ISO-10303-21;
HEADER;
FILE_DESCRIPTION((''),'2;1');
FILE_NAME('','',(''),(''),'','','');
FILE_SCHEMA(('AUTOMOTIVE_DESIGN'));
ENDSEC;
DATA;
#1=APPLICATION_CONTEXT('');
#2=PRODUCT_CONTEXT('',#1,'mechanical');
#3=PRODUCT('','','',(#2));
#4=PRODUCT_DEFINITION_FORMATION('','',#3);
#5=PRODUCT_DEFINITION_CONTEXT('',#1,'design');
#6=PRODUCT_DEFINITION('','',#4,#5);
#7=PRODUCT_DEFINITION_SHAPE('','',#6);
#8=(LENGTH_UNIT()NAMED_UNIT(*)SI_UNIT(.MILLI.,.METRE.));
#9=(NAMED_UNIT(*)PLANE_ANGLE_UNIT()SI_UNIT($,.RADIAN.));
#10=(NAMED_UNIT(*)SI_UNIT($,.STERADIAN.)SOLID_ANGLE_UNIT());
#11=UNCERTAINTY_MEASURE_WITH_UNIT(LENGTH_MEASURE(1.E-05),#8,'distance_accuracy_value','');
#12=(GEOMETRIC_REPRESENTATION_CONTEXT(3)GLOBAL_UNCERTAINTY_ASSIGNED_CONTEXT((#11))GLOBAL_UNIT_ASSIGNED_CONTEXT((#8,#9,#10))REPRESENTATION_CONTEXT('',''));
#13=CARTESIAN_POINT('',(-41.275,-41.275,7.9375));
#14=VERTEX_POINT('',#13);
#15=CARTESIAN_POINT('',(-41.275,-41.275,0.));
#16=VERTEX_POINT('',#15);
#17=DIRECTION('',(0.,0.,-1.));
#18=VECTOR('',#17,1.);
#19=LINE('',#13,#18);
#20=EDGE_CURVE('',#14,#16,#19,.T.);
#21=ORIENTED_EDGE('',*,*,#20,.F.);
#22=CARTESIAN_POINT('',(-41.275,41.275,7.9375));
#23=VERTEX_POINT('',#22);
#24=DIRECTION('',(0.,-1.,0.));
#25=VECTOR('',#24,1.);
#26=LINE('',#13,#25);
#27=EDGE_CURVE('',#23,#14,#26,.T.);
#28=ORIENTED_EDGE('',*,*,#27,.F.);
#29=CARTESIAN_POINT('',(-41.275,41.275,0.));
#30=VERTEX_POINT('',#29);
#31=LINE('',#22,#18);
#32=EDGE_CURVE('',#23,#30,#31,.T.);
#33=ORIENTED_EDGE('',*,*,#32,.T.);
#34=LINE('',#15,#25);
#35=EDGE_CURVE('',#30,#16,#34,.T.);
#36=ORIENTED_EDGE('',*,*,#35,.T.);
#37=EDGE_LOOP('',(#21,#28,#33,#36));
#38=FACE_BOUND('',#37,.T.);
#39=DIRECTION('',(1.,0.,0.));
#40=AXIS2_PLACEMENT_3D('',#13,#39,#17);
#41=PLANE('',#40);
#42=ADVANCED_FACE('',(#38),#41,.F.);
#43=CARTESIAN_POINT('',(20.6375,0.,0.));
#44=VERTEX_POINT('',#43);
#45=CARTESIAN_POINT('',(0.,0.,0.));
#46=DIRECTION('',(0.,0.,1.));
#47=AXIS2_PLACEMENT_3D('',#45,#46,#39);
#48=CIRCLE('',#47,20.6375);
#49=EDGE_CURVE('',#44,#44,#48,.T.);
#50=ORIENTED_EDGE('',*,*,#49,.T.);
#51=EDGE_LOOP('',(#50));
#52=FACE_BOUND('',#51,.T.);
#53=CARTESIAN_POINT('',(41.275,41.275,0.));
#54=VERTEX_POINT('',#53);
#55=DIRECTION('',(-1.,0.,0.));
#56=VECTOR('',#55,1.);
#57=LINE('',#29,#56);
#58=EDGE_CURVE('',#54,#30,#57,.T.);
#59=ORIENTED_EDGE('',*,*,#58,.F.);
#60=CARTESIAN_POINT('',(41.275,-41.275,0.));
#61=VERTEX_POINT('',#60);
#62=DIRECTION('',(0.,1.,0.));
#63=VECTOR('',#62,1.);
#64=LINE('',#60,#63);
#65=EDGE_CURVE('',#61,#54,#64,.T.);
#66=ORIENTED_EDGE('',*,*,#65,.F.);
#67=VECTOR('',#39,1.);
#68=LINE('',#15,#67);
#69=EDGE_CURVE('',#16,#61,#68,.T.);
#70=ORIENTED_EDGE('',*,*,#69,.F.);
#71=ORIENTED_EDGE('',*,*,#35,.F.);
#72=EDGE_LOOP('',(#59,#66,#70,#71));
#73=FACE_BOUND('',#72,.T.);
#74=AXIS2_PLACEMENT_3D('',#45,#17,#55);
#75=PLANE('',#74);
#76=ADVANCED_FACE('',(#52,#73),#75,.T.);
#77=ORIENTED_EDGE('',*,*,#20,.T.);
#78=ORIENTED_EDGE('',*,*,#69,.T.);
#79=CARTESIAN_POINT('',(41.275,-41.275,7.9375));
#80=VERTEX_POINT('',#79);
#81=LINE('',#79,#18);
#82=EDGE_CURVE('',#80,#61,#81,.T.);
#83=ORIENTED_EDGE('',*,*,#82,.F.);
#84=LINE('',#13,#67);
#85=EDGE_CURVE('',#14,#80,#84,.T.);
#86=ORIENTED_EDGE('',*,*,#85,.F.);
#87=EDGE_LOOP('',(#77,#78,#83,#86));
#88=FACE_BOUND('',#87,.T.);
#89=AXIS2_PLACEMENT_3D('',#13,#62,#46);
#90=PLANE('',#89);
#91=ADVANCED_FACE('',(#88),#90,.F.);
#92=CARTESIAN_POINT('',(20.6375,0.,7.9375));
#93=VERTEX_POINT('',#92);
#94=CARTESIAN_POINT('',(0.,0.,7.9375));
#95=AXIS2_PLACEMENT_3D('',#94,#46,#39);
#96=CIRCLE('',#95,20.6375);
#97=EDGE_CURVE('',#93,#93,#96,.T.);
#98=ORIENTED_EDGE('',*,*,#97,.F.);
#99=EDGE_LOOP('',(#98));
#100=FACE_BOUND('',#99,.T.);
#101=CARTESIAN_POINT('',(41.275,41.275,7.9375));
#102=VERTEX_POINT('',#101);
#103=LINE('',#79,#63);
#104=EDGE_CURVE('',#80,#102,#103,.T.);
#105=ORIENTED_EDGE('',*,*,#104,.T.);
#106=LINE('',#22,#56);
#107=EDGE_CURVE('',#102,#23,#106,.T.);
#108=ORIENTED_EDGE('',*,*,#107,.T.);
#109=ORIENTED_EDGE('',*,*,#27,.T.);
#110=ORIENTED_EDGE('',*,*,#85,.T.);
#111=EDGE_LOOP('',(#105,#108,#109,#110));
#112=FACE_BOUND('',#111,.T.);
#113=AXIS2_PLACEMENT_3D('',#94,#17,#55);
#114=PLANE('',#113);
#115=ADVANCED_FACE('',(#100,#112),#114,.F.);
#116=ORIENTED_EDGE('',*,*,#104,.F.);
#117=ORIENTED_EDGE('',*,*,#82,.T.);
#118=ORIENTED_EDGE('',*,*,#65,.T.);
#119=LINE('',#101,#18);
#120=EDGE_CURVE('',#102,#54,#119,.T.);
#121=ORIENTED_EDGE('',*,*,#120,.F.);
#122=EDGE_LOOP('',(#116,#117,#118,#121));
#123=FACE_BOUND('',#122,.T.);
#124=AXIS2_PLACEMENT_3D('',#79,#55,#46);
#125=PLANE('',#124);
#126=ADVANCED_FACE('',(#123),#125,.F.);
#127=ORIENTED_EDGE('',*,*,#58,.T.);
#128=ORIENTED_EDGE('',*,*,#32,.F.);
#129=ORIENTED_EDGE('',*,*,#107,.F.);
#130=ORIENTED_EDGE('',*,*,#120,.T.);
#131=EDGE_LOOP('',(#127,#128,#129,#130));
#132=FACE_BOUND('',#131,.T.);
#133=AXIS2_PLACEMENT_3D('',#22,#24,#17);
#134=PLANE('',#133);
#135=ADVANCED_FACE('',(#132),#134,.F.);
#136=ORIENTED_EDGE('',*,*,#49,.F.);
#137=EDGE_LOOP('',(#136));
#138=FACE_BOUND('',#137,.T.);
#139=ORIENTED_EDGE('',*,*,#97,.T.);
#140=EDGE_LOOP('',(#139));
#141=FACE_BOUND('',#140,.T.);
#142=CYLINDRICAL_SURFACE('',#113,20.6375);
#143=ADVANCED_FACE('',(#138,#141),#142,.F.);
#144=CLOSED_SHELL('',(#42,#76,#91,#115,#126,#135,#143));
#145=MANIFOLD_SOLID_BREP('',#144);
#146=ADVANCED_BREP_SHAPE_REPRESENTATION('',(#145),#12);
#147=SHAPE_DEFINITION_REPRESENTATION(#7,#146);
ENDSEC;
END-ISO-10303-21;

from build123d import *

# Parameters (mm, degrees)
SKETCH1_W           = 82.55
SKETCH1_H           = 82.55
SKETCH1_R           = 20.6375
BOSS_EXTRUDE1_DEPTH = 7.9375


with BuildPart() as part:
    # Sketch1 → Boss-Extrude1 (new body)
    with BuildSketch(Plane.XY):
        Rectangle(SKETCH1_W, SKETCH1_H)
        Circle(SKETCH1_R, mode=Mode.SUBTRACT)
    extrude(amount=BOSS_EXTRUDE1_DEPTH)


solid = part.part
